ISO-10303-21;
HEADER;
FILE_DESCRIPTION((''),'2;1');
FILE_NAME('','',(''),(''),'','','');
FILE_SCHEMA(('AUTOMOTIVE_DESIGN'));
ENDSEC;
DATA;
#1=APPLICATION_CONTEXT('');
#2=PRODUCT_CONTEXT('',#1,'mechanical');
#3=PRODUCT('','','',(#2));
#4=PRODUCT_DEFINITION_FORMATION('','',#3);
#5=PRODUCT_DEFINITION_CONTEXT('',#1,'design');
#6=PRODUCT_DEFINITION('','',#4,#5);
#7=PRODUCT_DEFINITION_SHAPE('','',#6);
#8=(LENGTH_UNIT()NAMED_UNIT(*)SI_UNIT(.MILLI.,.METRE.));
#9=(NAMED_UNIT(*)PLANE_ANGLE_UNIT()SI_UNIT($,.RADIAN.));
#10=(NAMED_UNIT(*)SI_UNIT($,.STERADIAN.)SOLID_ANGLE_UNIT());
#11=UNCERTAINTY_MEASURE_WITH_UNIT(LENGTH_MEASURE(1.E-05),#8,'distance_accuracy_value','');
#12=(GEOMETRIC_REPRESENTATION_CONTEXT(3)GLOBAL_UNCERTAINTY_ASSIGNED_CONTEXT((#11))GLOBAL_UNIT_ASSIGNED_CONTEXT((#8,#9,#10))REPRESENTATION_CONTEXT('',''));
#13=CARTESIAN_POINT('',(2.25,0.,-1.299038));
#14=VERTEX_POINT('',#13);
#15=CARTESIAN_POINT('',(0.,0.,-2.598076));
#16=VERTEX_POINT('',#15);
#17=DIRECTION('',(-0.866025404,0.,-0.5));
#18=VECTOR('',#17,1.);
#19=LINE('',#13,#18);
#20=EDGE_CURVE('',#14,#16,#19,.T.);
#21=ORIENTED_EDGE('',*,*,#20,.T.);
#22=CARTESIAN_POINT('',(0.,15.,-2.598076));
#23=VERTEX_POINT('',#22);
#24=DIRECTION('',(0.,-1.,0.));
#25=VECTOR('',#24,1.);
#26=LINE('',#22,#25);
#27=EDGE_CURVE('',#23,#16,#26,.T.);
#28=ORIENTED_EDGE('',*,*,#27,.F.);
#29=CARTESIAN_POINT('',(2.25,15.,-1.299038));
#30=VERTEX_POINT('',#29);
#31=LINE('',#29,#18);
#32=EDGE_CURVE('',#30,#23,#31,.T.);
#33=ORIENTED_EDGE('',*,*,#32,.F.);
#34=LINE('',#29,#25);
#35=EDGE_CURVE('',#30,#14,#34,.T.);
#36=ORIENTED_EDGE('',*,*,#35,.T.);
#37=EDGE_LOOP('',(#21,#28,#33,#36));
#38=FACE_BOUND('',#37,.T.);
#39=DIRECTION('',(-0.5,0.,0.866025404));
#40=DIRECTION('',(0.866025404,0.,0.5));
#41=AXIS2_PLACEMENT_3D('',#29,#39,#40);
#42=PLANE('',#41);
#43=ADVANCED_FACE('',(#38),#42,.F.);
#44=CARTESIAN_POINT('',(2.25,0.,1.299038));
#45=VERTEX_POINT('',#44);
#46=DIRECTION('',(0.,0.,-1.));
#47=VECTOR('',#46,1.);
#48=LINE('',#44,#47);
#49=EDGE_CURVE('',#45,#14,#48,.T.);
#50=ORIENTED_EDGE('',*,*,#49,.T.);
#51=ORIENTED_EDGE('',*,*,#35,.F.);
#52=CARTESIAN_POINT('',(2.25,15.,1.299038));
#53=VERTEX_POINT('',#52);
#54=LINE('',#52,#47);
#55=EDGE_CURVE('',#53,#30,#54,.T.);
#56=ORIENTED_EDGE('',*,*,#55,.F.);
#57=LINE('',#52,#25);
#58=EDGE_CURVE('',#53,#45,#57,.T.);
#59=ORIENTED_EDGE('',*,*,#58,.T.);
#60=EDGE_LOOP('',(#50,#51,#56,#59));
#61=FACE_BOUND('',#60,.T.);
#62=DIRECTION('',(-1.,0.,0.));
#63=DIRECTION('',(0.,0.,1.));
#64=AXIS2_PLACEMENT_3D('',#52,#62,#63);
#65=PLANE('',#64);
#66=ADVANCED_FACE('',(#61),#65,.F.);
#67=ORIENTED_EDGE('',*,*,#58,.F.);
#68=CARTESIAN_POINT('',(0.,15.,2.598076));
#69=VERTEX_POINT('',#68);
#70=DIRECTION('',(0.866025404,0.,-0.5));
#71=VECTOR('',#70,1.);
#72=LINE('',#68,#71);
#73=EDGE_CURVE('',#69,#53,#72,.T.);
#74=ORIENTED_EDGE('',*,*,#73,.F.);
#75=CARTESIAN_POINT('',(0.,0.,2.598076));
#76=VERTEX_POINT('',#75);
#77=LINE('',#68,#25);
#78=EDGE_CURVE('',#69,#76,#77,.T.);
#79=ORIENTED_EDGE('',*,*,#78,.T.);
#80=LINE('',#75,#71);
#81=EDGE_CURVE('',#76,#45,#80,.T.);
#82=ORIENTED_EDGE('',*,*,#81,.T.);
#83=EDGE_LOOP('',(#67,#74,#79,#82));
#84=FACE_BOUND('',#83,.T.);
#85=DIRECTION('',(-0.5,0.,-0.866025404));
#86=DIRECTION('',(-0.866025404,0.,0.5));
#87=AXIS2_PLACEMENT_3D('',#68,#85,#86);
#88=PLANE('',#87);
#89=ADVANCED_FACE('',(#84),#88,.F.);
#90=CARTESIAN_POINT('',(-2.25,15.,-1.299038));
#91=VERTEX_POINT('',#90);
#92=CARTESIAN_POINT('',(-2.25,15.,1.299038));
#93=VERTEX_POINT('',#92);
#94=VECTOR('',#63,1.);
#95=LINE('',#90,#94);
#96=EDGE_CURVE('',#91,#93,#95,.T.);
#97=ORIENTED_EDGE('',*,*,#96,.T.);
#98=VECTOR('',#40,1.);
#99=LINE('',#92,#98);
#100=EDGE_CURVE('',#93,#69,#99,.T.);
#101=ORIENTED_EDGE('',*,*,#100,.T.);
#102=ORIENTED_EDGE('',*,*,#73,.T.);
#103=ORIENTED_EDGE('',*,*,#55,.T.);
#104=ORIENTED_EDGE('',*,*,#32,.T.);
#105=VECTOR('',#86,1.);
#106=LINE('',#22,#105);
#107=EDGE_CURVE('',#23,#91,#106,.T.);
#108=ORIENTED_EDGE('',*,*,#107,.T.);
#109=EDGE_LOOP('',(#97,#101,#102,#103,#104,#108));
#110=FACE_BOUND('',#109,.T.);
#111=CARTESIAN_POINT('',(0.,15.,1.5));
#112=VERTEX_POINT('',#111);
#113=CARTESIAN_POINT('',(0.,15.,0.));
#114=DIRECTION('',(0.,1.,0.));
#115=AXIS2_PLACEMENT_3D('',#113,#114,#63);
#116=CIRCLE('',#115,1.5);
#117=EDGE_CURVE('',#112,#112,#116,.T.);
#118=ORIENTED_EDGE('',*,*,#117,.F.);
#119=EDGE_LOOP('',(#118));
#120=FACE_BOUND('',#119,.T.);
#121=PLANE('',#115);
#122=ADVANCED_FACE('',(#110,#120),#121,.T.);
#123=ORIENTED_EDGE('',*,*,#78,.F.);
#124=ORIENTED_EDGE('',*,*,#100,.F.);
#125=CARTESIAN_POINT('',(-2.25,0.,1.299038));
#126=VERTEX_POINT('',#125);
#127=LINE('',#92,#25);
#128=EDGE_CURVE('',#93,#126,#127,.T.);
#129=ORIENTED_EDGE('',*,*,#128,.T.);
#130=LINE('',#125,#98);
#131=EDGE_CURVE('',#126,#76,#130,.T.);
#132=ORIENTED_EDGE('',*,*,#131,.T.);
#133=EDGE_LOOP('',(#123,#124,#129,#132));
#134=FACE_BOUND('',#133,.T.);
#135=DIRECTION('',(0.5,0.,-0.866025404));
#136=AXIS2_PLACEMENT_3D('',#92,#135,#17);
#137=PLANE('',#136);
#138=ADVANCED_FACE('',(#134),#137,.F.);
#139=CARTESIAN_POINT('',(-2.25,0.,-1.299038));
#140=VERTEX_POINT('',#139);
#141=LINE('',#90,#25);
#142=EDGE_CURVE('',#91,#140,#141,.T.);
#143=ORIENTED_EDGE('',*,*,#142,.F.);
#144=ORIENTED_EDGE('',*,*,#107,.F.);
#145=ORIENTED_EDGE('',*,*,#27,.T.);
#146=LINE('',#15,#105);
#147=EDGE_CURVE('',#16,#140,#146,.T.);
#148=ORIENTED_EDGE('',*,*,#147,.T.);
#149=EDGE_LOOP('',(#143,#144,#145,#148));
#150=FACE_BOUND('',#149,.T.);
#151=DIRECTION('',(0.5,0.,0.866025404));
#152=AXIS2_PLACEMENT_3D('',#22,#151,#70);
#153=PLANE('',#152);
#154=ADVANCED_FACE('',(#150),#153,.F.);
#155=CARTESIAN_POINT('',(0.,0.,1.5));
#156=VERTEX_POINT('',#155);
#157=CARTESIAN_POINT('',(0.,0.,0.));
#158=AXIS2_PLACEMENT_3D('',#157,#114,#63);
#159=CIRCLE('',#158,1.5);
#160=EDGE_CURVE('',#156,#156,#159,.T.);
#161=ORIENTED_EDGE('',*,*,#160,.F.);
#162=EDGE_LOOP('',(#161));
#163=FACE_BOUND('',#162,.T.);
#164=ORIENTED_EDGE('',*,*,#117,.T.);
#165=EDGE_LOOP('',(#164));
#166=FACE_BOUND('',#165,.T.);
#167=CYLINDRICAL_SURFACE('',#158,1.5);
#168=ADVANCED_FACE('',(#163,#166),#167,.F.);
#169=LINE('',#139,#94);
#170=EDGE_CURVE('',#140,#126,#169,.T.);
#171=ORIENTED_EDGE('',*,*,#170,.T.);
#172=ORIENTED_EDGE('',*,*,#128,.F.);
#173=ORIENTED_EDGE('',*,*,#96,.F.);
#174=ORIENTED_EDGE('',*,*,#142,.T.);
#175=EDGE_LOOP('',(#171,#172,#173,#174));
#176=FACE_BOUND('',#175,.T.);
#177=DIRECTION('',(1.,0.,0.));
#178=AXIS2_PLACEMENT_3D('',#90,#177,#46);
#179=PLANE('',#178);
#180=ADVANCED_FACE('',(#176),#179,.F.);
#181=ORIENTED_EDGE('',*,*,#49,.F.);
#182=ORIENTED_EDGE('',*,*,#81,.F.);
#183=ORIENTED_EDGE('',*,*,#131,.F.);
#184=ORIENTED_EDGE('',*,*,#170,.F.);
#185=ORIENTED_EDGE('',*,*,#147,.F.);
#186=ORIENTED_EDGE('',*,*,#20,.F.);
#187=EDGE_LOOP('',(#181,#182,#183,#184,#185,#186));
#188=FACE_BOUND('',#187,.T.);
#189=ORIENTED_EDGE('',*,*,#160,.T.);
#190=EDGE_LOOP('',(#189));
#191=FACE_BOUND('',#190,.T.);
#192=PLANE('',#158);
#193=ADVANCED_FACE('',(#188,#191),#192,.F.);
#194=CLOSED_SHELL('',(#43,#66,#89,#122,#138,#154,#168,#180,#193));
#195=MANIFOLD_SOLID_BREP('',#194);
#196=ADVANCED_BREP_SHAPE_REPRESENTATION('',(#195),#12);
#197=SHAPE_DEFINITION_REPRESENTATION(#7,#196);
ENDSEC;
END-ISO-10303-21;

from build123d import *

# Parameters (mm, degrees)
BOSS_EXTRUDE1_DEPTH = 15
SKETCH2_R           = 1.5
CUT_EXTRUDE1_DEPTH  = 16.388713397


with BuildPart() as part:
    # Sketch1 → Boss-Extrude1 (new body)
    with BuildSketch(Plane(origin=(0, 0, 0), x_dir=(1, 0, 0), z_dir=(0, 1, 0))):
        Polygon((0, 2.598076211), (-2.25, 1.299038106), (-2.25, -1.299038106), (0, -2.598076211), (2.25, -1.299038106), (2.25, 1.299038106), align=None)
    extrude(amount=BOSS_EXTRUDE1_DEPTH)

    # Sketch2 → Cut-Extrude1 (cut, through all)
    with BuildSketch(Plane(origin=(0, 15, 0), x_dir=(1, 0, 0), z_dir=(0, 1, 0))):
        with Locations(Location((0, 0, 0), (0, 0, 270))):
            Circle(SKETCH2_R)
    extrude(amount=-CUT_EXTRUDE1_DEPTH, mode=Mode.SUBTRACT)


solid = part.part
